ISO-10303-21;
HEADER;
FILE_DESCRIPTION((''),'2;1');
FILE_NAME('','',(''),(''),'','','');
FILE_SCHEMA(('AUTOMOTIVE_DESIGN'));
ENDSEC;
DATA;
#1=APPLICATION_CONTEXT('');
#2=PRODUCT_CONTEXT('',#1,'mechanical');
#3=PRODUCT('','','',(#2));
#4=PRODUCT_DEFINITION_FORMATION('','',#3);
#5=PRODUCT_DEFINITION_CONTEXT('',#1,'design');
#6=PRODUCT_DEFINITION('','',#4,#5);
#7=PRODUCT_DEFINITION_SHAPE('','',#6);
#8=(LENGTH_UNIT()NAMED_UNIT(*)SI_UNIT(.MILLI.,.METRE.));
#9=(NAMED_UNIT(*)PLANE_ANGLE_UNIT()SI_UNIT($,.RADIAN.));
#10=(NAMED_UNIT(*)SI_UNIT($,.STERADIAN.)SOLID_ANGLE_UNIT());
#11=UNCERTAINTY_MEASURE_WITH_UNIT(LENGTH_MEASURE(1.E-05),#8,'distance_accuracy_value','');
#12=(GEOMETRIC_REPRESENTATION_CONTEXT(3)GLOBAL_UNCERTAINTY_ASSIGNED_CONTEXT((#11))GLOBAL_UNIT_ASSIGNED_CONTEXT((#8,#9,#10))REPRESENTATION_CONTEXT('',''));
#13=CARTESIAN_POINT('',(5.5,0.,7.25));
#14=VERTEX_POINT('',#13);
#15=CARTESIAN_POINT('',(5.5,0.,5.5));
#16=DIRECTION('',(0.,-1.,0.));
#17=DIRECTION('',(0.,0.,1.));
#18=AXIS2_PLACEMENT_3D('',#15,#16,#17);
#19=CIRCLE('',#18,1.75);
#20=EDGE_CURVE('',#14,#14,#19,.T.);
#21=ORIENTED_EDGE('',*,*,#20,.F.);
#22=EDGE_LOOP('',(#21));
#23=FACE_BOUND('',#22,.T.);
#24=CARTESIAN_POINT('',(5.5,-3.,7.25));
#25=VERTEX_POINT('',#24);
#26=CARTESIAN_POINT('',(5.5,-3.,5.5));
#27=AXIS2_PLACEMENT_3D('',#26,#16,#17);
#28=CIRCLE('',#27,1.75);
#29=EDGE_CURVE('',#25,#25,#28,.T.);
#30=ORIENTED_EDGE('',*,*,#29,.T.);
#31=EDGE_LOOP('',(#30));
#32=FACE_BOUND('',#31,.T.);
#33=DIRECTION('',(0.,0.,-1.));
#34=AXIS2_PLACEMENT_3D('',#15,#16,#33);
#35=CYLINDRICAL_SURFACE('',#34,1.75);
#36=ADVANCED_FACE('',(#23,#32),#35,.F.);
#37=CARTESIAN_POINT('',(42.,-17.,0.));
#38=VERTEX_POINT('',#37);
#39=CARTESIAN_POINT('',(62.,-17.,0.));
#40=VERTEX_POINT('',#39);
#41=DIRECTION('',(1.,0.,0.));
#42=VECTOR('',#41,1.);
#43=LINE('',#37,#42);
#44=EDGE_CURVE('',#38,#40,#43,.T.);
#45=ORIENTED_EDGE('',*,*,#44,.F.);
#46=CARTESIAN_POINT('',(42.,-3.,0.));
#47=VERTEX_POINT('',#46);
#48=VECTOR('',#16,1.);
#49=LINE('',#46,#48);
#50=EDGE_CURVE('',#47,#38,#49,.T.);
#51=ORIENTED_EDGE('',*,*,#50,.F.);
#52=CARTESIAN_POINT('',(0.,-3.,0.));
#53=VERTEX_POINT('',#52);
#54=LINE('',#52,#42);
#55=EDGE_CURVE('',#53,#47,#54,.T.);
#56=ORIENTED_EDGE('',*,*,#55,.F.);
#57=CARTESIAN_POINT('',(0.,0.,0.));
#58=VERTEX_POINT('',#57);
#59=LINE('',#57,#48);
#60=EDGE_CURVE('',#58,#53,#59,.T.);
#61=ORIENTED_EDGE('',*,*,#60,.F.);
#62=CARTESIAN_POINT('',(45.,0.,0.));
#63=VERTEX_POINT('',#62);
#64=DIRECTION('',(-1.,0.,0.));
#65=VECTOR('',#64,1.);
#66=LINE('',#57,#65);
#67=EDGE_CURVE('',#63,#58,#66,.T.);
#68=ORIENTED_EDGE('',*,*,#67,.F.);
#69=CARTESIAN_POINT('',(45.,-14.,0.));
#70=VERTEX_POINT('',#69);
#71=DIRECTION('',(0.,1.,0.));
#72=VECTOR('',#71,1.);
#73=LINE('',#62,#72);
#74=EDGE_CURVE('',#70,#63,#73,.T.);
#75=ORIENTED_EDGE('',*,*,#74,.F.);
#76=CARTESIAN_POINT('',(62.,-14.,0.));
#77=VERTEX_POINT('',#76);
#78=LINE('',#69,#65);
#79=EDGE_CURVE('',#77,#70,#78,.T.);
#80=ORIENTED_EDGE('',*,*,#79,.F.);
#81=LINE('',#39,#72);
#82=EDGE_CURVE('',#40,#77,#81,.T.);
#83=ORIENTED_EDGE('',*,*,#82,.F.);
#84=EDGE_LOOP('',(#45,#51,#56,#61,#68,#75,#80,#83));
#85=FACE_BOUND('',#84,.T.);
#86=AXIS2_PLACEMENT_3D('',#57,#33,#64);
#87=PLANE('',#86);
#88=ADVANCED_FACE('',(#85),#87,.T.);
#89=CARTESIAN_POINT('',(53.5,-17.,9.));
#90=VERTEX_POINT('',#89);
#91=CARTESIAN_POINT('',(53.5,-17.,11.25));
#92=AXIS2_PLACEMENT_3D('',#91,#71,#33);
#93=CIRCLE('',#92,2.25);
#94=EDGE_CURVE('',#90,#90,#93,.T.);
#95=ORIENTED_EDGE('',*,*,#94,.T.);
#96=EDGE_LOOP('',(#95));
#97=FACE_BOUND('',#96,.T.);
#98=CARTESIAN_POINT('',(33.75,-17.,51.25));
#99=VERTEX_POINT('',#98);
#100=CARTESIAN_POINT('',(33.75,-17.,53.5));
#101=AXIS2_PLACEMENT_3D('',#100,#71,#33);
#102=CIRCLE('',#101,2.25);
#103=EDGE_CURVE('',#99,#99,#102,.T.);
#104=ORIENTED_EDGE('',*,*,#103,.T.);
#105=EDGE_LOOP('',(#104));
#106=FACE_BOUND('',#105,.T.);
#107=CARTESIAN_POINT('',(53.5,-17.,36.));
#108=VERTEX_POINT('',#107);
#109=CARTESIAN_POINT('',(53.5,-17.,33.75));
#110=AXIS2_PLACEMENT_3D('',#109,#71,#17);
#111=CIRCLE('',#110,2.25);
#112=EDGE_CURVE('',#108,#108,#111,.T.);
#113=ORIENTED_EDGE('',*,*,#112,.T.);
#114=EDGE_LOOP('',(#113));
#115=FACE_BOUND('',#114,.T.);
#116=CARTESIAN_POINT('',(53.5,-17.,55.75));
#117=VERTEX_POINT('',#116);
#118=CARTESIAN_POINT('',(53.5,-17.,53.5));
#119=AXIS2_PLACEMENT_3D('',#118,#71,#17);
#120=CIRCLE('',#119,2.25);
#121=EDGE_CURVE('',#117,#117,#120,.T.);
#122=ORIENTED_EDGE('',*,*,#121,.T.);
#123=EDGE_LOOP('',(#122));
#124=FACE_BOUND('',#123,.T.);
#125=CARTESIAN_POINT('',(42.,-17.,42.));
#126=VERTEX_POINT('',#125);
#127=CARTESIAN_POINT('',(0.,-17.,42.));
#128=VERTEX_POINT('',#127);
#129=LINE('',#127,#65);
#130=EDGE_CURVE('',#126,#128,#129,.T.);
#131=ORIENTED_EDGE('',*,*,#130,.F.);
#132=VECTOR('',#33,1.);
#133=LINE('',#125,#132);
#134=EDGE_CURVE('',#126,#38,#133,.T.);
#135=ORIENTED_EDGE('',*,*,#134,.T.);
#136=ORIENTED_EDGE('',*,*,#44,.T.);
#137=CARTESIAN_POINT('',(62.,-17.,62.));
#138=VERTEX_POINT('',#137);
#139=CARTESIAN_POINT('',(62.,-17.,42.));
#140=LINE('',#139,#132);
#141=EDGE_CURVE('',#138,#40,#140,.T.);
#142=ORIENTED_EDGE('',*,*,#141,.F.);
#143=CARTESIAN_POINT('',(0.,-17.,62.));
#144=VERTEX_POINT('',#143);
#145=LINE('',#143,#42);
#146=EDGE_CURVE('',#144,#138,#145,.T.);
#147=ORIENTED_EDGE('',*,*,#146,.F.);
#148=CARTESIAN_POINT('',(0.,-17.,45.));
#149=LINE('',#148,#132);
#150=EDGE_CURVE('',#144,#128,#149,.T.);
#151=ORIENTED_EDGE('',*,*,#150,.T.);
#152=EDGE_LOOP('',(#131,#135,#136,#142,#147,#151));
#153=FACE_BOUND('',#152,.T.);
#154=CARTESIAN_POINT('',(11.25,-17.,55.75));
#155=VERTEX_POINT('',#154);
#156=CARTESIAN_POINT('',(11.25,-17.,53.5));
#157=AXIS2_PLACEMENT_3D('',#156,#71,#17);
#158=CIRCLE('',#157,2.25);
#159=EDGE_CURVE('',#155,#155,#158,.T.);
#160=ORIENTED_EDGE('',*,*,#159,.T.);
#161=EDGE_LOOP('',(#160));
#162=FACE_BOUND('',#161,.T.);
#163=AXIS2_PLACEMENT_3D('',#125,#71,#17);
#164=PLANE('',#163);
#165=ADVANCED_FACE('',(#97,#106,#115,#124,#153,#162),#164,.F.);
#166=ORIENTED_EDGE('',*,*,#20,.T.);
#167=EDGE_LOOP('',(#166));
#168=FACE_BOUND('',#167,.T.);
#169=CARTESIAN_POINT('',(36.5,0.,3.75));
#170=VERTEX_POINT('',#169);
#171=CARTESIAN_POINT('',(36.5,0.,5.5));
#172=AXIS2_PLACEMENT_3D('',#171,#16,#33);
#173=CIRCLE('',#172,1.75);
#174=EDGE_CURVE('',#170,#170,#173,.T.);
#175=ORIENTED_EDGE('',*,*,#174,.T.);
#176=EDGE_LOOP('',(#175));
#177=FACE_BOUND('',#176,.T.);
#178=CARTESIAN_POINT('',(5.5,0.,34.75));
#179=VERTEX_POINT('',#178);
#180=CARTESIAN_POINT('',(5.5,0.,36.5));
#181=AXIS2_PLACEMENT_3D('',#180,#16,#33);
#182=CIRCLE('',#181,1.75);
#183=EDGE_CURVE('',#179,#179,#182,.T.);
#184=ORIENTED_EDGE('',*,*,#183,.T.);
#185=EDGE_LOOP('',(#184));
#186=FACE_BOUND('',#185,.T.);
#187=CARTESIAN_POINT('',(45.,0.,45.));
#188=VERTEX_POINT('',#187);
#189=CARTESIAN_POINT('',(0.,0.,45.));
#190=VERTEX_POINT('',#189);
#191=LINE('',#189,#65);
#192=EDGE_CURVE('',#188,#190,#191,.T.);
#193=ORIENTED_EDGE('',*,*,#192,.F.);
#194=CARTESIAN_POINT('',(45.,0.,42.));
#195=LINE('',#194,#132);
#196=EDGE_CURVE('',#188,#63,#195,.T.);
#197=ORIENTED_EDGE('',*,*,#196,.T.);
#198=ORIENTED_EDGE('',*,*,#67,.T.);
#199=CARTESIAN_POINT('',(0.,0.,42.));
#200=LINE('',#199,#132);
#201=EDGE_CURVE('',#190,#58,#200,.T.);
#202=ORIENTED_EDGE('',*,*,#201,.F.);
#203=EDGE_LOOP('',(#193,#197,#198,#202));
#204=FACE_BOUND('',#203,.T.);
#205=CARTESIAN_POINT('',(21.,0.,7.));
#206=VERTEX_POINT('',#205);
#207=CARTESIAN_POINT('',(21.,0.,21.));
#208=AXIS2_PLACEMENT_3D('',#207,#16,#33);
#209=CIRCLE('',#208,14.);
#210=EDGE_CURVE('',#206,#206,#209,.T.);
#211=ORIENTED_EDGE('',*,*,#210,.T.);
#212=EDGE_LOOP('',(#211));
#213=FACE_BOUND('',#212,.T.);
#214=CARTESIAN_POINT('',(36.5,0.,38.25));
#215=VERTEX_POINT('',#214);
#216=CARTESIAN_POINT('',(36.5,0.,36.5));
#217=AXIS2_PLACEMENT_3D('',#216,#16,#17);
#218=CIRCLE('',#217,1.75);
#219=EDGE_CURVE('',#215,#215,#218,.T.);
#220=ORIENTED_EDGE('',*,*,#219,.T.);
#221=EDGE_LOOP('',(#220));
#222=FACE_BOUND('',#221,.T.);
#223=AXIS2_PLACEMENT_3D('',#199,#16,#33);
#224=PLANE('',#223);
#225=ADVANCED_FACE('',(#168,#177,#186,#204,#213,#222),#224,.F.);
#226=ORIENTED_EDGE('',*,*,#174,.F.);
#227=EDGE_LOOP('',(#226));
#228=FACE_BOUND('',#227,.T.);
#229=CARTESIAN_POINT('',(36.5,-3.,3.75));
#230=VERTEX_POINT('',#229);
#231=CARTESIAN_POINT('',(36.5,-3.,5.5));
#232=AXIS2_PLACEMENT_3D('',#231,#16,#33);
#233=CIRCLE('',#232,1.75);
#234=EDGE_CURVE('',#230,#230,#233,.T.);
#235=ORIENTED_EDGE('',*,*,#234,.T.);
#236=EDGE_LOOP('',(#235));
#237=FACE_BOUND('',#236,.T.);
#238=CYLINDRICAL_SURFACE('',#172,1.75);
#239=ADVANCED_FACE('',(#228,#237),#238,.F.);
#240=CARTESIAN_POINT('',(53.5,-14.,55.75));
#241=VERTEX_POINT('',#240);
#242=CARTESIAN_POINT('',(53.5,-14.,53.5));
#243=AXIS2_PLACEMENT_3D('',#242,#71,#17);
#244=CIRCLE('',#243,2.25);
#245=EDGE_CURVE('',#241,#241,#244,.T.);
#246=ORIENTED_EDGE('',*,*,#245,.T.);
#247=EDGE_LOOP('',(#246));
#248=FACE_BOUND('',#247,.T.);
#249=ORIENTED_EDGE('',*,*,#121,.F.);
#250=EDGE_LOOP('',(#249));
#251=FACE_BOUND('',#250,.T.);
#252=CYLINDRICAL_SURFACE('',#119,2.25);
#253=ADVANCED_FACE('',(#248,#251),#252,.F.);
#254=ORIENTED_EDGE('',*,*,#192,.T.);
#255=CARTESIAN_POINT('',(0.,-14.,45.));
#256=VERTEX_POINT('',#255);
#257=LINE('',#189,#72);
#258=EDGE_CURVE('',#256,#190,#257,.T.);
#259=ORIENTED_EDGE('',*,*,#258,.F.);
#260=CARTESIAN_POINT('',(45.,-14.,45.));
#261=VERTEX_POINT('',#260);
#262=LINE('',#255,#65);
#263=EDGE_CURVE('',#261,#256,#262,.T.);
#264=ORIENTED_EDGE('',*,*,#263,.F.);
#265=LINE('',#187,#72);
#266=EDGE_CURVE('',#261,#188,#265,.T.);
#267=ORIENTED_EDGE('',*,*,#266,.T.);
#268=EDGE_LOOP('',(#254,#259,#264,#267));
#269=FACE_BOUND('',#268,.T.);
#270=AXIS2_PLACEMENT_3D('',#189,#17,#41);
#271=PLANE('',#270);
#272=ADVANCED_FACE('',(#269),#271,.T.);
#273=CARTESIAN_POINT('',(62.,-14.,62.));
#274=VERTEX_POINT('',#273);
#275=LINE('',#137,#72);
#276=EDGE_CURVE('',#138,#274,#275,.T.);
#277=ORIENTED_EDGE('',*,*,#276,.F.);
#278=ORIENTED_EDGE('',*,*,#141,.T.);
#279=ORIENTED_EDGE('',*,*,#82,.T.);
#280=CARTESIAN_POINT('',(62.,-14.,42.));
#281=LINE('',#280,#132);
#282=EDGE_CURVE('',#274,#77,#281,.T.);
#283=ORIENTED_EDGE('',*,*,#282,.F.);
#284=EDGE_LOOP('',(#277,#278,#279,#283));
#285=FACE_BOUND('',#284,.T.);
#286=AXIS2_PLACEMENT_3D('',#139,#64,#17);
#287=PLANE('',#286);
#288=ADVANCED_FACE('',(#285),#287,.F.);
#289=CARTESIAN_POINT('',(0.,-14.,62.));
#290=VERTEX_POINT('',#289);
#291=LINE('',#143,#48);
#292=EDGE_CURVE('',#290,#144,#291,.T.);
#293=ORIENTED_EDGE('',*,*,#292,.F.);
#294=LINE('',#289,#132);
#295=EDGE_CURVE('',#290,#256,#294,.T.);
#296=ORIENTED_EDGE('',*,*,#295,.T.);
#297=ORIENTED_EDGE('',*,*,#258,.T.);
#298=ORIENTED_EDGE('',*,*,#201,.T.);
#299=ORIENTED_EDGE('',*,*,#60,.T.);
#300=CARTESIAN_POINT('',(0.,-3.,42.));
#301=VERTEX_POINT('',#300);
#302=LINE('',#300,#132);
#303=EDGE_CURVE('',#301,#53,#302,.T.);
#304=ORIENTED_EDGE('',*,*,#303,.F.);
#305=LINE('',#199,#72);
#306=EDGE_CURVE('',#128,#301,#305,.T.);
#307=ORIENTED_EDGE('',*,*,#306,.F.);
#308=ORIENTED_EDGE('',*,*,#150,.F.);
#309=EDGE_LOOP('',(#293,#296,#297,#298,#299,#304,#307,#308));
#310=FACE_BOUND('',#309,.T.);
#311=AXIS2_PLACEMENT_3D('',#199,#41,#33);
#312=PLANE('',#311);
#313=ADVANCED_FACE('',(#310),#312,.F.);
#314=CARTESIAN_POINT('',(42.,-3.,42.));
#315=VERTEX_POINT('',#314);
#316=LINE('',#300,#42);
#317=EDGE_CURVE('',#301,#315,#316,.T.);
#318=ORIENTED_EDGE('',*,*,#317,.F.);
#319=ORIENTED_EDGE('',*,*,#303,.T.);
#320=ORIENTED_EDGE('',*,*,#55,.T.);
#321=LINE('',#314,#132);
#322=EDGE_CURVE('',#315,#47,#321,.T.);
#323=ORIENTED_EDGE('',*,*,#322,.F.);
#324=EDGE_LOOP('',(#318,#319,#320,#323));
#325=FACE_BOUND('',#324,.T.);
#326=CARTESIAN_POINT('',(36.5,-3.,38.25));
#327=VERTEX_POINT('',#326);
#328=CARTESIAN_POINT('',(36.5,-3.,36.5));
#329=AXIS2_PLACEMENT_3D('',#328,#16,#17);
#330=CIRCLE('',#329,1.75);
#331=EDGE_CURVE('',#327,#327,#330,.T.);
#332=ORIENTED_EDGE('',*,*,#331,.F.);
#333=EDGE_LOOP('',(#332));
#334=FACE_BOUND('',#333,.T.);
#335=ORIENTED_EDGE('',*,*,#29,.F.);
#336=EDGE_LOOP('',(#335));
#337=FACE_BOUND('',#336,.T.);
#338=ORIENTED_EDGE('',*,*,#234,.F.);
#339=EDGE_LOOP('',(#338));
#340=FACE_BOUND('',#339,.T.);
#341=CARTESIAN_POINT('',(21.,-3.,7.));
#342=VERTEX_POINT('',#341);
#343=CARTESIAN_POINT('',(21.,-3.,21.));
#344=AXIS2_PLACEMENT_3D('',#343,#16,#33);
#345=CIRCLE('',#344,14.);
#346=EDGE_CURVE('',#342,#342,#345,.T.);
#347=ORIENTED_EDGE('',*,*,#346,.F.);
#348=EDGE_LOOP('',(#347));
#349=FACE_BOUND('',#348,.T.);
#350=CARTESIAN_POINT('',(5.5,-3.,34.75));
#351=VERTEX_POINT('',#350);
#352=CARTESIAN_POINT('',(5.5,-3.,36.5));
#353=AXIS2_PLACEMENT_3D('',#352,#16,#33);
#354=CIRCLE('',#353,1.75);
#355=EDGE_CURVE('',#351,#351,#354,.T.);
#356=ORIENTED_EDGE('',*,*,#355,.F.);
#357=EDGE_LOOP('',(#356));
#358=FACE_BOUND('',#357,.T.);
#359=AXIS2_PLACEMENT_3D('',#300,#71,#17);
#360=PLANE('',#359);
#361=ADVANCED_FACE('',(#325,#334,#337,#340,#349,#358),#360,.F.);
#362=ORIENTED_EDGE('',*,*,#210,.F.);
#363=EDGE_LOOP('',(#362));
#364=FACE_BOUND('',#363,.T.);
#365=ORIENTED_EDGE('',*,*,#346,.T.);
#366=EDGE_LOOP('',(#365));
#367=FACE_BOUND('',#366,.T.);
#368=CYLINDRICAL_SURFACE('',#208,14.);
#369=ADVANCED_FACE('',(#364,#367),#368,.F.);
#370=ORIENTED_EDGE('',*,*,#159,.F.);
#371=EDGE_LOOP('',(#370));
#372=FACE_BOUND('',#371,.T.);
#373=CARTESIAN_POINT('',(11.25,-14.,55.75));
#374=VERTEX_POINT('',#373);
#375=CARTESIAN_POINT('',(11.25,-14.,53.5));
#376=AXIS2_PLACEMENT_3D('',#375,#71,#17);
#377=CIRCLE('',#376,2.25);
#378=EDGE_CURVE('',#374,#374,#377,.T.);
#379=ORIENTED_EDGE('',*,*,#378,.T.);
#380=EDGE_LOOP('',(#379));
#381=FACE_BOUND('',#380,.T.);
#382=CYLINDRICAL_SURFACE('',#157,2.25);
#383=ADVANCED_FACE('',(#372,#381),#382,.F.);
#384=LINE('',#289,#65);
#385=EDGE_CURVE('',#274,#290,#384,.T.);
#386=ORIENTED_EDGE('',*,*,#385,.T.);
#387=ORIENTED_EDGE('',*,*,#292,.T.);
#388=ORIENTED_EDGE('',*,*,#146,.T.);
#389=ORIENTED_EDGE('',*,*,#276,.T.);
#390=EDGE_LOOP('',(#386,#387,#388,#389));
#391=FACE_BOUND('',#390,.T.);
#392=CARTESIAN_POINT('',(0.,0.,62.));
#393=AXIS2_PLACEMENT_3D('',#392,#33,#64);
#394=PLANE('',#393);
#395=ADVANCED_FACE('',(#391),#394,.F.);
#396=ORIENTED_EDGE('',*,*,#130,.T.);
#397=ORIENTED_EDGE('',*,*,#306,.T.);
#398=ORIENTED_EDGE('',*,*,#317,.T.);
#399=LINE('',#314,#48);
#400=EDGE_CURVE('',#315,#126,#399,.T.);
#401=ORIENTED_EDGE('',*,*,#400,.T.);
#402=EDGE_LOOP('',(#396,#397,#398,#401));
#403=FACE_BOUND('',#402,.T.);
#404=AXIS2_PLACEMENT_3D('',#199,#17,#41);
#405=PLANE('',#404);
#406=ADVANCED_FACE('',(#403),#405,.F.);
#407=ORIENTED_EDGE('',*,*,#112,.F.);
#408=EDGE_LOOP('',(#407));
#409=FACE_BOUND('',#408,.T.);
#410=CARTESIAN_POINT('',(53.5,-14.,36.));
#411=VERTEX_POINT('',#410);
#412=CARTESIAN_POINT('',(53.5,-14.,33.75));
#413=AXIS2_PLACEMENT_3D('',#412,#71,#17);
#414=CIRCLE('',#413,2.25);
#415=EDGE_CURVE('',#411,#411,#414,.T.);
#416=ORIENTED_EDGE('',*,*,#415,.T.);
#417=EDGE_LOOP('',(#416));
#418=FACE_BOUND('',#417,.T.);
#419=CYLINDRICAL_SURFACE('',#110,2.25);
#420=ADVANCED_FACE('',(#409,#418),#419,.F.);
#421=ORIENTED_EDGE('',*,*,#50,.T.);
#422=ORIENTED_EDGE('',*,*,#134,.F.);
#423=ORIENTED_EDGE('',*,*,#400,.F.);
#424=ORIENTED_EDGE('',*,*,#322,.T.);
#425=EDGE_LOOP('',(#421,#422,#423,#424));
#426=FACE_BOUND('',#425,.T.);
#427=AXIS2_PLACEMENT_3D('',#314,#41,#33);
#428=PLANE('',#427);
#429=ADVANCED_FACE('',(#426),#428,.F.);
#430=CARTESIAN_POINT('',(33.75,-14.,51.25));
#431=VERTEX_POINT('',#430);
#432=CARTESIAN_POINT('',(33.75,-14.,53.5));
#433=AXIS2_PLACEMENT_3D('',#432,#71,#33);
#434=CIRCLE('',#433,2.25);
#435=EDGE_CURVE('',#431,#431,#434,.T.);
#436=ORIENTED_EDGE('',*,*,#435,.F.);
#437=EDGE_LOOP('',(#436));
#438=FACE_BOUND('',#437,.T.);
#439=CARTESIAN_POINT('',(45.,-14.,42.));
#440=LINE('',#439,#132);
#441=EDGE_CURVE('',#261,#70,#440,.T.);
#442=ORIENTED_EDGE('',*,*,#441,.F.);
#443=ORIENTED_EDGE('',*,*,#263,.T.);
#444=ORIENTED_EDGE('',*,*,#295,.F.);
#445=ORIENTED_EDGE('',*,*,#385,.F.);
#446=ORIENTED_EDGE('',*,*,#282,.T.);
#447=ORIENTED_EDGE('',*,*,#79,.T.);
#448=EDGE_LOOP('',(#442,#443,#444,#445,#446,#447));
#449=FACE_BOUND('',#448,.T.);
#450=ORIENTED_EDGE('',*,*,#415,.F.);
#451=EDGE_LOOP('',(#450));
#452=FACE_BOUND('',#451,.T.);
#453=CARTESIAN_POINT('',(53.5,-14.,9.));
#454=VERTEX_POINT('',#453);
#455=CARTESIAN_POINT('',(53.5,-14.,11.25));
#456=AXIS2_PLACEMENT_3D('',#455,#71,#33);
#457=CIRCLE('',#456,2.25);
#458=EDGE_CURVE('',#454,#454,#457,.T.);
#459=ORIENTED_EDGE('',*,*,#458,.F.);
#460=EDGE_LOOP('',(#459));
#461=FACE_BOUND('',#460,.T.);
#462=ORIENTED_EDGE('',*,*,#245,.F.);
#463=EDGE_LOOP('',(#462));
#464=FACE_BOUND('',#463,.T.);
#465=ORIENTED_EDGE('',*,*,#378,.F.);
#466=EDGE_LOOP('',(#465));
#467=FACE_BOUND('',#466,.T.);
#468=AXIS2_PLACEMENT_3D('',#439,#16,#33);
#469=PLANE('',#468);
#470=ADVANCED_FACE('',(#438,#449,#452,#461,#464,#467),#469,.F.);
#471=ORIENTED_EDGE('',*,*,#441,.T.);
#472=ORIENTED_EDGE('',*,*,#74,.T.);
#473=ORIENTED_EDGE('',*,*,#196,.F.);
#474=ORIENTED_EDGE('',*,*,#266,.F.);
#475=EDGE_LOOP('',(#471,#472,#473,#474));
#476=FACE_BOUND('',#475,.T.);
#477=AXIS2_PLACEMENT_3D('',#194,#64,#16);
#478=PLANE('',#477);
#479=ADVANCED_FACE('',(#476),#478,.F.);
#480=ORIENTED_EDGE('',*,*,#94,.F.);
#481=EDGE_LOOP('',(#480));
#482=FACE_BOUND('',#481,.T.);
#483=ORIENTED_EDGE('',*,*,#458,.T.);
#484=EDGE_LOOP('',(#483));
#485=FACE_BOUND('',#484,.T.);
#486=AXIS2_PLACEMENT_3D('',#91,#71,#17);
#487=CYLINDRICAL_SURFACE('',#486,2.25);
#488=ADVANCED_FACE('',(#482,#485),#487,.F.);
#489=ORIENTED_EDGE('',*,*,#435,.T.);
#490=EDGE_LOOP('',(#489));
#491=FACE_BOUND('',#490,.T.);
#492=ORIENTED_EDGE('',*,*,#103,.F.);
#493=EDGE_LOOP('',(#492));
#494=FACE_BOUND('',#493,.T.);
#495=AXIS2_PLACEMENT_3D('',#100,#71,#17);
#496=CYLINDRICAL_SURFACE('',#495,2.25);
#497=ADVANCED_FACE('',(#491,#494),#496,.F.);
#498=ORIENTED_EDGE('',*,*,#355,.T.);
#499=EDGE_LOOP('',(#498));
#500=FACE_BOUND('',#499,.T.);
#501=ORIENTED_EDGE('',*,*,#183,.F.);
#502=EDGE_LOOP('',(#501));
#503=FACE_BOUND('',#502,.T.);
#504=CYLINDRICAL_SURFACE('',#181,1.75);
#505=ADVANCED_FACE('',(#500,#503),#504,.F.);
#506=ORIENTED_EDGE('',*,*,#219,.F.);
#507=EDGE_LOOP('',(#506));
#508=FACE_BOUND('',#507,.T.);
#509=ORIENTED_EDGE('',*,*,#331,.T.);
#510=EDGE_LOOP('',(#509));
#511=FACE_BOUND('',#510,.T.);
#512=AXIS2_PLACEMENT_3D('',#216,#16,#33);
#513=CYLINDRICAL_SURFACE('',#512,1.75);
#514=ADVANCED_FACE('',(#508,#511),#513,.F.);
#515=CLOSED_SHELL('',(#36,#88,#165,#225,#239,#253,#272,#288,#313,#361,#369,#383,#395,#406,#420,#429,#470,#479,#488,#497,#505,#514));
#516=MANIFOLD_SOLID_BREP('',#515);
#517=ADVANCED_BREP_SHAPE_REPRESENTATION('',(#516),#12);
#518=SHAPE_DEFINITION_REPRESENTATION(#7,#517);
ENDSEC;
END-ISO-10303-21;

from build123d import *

# Parameters (mm, degrees)
BOSS_EXTRUDE6_DEPTH = 42
SKETCH9_W           = 42
SKETCH9_H           = 14
BOSS_EXTRUDE7_DEPTH = 3
SKETCH10_W          = 62
SKETCH10_H          = 3
BOSS_EXTRUDE8_DEPTH = 17
SKETCH11_R          = 1.75
SKETCH11_R_2        = 14
CUT_EXTRUDE3_DEPTH  = 4
SKETCH12_R          = 2.25
CUT_EXTRUDE4_DEPTH  = 4


with BuildPart() as part:
    # Sketch7 → Boss-Extrude6 (new body)
    with BuildSketch(Plane.XY):
        Polygon((42, -17), (62, -17), (62, -14), (45, -14), (45, 0), (0, 0), (0, -3), (42, -3), align=None)
    extrude(amount=BOSS_EXTRUDE6_DEPTH)

    # Sketch9 → Boss-Extrude7 (add)
    with BuildSketch(Plane.XY.offset(42)):
        with Locations((21, -10)):
            Rectangle(SKETCH9_W, SKETCH9_H)
        Polygon((45, -14), (45, 0), (0, 0), (0, -3), (42, -3), (42, -17), (62, -17), (62, -14), align=None)
    extrude(amount=BOSS_EXTRUDE7_DEPTH)

    # Sketch10 → Boss-Extrude8 (add)
    with BuildSketch(Plane.XY.offset(45)):
        with Locations((31, -15.5)):
            Rectangle(SKETCH10_W, SKETCH10_H)
    extrude(amount=BOSS_EXTRUDE8_DEPTH)

    # Sketch11 → Cut-Extrude3 (cut, through all)
    with BuildSketch(Plane.XZ.offset(3)):
        with Locations((5.5, 36.5)):
            Circle(SKETCH11_R)
        with Locations((36.5, 36.5)):
            Circle(SKETCH11_R)
        with Locations((36.5, 5.5)):
            Circle(SKETCH11_R)
        with Locations((5.5, 5.5)):
            Circle(SKETCH11_R)
        with Locations((21, 21)):
            Circle(SKETCH11_R_2)
    extrude(amount=-CUT_EXTRUDE3_DEPTH, mode=Mode.SUBTRACT)

    # Sketch12 → Cut-Extrude4 (cut, through all)
    with BuildSketch(Plane(origin=(0, -14, 0), x_dir=(1, 0, 0), z_dir=(0, 1, 0))):
        with Locations((11.25, -53.5)):
            Circle(SKETCH12_R)
        with Locations((33.75, -53.5)):
            Circle(SKETCH12_R)
        with Locations((53.5, -53.5)):
            Circle(SKETCH12_R)
        with Locations((53.5, -11.25)):
            Circle(SKETCH12_R)
        with Locations((53.5, -33.75)):
            Circle(SKETCH12_R)
    extrude(amount=-CUT_EXTRUDE4_DEPTH, mode=Mode.SUBTRACT)


solid = part.part
